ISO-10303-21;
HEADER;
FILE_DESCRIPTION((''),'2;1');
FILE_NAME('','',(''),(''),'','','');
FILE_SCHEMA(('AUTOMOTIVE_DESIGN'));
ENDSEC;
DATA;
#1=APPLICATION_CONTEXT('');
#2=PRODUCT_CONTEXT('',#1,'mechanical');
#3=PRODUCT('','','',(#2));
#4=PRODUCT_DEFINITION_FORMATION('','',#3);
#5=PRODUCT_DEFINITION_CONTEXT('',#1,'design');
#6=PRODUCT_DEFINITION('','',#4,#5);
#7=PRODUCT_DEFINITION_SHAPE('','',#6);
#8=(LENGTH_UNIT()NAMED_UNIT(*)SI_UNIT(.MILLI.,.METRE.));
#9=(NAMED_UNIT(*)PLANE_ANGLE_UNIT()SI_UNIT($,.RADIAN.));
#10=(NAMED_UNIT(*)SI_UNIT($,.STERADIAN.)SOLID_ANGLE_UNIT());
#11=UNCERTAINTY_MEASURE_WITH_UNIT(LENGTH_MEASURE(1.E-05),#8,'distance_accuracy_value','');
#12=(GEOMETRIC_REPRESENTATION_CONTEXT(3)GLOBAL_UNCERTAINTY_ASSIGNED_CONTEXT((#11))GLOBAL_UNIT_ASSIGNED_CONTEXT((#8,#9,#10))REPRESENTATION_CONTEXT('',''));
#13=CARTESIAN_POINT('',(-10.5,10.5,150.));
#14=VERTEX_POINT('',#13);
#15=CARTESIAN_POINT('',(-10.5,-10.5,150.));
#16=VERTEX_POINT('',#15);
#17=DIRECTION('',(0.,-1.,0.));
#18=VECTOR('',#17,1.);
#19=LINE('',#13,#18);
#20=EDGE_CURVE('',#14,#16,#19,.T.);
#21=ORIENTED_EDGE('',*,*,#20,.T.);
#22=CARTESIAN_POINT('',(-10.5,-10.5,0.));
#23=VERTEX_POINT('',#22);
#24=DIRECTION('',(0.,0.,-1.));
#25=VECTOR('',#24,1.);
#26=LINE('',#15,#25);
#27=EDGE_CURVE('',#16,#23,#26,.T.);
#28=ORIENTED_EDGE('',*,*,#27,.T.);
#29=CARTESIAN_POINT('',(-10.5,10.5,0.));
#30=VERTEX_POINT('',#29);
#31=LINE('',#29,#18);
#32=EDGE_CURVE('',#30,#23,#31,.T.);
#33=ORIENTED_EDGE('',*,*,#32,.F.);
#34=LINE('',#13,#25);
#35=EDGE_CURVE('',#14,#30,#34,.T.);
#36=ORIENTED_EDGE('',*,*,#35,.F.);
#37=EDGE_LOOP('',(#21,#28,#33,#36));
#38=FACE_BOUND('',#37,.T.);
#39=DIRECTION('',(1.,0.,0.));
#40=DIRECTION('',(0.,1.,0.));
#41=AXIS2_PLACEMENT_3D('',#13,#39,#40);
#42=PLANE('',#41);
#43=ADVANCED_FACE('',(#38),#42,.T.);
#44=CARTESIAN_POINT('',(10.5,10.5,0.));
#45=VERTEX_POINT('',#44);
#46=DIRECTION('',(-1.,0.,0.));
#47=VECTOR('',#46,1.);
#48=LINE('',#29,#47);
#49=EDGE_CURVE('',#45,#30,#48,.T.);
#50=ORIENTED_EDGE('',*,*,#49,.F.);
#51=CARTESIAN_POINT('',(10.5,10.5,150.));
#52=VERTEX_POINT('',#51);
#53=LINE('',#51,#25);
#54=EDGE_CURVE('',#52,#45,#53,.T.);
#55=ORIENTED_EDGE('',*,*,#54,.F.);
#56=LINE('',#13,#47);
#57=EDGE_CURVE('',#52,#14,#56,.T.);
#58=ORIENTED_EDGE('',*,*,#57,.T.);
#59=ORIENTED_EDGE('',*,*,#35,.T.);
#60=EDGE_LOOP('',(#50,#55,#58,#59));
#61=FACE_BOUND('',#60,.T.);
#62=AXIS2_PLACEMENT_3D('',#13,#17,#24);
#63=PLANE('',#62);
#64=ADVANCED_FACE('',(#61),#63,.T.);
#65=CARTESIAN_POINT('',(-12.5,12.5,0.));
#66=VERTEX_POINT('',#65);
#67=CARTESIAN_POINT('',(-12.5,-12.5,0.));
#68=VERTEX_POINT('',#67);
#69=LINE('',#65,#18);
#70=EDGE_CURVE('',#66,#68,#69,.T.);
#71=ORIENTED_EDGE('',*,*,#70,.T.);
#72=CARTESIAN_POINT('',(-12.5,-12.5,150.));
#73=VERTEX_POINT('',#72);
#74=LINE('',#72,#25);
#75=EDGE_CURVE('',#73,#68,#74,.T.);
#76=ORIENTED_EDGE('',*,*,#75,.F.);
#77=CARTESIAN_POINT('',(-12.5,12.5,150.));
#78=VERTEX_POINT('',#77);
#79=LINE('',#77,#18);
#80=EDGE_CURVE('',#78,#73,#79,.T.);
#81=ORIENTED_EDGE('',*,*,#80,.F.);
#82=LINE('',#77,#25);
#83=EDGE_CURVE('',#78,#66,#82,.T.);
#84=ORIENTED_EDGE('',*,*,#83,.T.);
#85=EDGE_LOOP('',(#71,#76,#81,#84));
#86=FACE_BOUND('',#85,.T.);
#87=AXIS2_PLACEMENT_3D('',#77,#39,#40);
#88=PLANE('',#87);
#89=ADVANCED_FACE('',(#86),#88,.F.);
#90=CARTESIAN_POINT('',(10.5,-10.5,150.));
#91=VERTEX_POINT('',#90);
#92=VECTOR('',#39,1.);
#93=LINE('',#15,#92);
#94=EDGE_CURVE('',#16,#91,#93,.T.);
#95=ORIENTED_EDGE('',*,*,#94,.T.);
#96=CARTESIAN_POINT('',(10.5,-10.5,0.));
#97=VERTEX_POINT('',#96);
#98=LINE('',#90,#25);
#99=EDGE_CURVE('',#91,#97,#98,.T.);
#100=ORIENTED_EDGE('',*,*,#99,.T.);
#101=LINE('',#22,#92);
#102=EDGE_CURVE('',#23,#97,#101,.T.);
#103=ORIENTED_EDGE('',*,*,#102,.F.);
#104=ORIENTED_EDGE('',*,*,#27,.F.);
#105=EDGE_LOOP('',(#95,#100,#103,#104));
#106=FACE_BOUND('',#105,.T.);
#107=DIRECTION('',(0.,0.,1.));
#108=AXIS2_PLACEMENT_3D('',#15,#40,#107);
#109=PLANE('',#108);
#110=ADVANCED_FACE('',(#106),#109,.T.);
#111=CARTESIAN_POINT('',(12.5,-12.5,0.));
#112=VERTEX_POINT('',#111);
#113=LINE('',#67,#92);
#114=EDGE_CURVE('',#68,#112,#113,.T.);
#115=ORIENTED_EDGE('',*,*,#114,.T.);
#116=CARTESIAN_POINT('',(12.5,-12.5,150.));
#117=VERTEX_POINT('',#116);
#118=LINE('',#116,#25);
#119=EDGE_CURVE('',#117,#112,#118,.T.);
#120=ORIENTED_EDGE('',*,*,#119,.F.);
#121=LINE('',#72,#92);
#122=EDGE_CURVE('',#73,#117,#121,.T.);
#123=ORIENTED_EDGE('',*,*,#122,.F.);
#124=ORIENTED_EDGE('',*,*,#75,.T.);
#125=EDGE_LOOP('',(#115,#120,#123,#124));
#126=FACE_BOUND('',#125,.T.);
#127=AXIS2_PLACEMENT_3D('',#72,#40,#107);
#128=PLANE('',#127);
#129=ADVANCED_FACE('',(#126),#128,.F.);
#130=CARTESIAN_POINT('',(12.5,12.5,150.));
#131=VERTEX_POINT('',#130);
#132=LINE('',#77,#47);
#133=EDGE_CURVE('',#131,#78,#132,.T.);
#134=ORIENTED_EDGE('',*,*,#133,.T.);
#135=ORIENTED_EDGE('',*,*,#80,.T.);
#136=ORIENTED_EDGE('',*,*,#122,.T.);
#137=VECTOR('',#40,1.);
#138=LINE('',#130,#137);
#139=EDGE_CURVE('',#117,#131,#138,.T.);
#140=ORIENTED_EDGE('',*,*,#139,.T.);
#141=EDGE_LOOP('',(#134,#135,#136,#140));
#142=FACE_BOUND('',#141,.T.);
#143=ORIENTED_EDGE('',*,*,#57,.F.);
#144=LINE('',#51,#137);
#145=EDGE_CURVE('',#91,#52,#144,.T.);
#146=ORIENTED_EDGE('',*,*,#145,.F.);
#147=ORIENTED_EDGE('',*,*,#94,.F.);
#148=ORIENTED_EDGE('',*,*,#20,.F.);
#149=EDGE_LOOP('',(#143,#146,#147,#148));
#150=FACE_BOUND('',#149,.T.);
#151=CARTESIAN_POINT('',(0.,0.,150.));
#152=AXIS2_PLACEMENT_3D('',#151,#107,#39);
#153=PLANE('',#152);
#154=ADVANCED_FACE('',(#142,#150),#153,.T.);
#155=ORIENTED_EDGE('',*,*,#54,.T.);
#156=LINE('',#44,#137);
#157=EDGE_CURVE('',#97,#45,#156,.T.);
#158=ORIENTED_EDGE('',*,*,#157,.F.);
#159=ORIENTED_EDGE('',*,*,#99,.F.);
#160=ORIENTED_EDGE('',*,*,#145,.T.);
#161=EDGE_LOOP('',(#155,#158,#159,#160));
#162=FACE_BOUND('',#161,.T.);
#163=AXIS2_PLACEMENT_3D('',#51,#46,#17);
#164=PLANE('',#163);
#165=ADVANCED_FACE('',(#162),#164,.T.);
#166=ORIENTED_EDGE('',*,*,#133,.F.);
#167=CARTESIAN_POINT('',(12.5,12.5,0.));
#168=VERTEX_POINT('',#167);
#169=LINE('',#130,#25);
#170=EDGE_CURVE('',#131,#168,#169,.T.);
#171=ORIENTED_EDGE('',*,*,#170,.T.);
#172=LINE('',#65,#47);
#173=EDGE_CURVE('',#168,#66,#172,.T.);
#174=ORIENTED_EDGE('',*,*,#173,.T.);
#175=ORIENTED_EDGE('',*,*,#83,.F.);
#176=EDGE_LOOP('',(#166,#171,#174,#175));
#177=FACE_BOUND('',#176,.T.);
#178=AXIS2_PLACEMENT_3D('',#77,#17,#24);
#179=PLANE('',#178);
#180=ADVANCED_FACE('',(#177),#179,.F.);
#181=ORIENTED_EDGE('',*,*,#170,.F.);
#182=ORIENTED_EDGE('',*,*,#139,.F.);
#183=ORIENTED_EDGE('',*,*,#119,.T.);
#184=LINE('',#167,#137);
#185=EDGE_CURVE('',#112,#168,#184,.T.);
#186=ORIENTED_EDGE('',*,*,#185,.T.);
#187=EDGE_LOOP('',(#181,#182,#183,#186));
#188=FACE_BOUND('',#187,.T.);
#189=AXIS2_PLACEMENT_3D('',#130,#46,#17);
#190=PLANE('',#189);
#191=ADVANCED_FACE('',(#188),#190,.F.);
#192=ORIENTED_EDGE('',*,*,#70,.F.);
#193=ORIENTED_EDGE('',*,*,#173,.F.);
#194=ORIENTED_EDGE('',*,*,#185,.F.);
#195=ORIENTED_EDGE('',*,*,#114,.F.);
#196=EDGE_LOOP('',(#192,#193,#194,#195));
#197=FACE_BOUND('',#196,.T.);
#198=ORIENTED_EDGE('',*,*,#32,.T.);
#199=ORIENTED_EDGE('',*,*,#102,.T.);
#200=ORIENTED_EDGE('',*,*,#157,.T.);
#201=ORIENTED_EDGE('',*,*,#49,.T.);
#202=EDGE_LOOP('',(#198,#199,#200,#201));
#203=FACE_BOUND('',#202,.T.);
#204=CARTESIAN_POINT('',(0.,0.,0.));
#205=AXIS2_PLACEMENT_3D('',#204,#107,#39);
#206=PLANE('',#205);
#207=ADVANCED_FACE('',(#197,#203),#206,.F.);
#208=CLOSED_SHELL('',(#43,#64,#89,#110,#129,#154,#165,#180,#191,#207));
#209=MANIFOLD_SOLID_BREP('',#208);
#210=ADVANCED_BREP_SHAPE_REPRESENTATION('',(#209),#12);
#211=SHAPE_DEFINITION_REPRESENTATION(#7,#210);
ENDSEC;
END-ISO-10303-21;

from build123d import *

# Parameters (mm, degrees)
SKIZZE1_W                       = 25
SKIZZE1_H                       = 25
SKIZZE1_W_2                     = 21
SKIZZE1_H_2                     = 21
AUFSATZ_LINEAR_AUSTRAGEN1_DEPTH = 150


with BuildPart() as part:
    # Skizze1 → Aufsatz-Linear austragen1 (new body)
    with BuildSketch(Plane.XY):
        Rectangle(SKIZZE1_W, SKIZZE1_H)
        Rectangle(SKIZZE1_W_2, SKIZZE1_H_2, mode=Mode.SUBTRACT)
    extrude(amount=AUFSATZ_LINEAR_AUSTRAGEN1_DEPTH)


solid = part.part
